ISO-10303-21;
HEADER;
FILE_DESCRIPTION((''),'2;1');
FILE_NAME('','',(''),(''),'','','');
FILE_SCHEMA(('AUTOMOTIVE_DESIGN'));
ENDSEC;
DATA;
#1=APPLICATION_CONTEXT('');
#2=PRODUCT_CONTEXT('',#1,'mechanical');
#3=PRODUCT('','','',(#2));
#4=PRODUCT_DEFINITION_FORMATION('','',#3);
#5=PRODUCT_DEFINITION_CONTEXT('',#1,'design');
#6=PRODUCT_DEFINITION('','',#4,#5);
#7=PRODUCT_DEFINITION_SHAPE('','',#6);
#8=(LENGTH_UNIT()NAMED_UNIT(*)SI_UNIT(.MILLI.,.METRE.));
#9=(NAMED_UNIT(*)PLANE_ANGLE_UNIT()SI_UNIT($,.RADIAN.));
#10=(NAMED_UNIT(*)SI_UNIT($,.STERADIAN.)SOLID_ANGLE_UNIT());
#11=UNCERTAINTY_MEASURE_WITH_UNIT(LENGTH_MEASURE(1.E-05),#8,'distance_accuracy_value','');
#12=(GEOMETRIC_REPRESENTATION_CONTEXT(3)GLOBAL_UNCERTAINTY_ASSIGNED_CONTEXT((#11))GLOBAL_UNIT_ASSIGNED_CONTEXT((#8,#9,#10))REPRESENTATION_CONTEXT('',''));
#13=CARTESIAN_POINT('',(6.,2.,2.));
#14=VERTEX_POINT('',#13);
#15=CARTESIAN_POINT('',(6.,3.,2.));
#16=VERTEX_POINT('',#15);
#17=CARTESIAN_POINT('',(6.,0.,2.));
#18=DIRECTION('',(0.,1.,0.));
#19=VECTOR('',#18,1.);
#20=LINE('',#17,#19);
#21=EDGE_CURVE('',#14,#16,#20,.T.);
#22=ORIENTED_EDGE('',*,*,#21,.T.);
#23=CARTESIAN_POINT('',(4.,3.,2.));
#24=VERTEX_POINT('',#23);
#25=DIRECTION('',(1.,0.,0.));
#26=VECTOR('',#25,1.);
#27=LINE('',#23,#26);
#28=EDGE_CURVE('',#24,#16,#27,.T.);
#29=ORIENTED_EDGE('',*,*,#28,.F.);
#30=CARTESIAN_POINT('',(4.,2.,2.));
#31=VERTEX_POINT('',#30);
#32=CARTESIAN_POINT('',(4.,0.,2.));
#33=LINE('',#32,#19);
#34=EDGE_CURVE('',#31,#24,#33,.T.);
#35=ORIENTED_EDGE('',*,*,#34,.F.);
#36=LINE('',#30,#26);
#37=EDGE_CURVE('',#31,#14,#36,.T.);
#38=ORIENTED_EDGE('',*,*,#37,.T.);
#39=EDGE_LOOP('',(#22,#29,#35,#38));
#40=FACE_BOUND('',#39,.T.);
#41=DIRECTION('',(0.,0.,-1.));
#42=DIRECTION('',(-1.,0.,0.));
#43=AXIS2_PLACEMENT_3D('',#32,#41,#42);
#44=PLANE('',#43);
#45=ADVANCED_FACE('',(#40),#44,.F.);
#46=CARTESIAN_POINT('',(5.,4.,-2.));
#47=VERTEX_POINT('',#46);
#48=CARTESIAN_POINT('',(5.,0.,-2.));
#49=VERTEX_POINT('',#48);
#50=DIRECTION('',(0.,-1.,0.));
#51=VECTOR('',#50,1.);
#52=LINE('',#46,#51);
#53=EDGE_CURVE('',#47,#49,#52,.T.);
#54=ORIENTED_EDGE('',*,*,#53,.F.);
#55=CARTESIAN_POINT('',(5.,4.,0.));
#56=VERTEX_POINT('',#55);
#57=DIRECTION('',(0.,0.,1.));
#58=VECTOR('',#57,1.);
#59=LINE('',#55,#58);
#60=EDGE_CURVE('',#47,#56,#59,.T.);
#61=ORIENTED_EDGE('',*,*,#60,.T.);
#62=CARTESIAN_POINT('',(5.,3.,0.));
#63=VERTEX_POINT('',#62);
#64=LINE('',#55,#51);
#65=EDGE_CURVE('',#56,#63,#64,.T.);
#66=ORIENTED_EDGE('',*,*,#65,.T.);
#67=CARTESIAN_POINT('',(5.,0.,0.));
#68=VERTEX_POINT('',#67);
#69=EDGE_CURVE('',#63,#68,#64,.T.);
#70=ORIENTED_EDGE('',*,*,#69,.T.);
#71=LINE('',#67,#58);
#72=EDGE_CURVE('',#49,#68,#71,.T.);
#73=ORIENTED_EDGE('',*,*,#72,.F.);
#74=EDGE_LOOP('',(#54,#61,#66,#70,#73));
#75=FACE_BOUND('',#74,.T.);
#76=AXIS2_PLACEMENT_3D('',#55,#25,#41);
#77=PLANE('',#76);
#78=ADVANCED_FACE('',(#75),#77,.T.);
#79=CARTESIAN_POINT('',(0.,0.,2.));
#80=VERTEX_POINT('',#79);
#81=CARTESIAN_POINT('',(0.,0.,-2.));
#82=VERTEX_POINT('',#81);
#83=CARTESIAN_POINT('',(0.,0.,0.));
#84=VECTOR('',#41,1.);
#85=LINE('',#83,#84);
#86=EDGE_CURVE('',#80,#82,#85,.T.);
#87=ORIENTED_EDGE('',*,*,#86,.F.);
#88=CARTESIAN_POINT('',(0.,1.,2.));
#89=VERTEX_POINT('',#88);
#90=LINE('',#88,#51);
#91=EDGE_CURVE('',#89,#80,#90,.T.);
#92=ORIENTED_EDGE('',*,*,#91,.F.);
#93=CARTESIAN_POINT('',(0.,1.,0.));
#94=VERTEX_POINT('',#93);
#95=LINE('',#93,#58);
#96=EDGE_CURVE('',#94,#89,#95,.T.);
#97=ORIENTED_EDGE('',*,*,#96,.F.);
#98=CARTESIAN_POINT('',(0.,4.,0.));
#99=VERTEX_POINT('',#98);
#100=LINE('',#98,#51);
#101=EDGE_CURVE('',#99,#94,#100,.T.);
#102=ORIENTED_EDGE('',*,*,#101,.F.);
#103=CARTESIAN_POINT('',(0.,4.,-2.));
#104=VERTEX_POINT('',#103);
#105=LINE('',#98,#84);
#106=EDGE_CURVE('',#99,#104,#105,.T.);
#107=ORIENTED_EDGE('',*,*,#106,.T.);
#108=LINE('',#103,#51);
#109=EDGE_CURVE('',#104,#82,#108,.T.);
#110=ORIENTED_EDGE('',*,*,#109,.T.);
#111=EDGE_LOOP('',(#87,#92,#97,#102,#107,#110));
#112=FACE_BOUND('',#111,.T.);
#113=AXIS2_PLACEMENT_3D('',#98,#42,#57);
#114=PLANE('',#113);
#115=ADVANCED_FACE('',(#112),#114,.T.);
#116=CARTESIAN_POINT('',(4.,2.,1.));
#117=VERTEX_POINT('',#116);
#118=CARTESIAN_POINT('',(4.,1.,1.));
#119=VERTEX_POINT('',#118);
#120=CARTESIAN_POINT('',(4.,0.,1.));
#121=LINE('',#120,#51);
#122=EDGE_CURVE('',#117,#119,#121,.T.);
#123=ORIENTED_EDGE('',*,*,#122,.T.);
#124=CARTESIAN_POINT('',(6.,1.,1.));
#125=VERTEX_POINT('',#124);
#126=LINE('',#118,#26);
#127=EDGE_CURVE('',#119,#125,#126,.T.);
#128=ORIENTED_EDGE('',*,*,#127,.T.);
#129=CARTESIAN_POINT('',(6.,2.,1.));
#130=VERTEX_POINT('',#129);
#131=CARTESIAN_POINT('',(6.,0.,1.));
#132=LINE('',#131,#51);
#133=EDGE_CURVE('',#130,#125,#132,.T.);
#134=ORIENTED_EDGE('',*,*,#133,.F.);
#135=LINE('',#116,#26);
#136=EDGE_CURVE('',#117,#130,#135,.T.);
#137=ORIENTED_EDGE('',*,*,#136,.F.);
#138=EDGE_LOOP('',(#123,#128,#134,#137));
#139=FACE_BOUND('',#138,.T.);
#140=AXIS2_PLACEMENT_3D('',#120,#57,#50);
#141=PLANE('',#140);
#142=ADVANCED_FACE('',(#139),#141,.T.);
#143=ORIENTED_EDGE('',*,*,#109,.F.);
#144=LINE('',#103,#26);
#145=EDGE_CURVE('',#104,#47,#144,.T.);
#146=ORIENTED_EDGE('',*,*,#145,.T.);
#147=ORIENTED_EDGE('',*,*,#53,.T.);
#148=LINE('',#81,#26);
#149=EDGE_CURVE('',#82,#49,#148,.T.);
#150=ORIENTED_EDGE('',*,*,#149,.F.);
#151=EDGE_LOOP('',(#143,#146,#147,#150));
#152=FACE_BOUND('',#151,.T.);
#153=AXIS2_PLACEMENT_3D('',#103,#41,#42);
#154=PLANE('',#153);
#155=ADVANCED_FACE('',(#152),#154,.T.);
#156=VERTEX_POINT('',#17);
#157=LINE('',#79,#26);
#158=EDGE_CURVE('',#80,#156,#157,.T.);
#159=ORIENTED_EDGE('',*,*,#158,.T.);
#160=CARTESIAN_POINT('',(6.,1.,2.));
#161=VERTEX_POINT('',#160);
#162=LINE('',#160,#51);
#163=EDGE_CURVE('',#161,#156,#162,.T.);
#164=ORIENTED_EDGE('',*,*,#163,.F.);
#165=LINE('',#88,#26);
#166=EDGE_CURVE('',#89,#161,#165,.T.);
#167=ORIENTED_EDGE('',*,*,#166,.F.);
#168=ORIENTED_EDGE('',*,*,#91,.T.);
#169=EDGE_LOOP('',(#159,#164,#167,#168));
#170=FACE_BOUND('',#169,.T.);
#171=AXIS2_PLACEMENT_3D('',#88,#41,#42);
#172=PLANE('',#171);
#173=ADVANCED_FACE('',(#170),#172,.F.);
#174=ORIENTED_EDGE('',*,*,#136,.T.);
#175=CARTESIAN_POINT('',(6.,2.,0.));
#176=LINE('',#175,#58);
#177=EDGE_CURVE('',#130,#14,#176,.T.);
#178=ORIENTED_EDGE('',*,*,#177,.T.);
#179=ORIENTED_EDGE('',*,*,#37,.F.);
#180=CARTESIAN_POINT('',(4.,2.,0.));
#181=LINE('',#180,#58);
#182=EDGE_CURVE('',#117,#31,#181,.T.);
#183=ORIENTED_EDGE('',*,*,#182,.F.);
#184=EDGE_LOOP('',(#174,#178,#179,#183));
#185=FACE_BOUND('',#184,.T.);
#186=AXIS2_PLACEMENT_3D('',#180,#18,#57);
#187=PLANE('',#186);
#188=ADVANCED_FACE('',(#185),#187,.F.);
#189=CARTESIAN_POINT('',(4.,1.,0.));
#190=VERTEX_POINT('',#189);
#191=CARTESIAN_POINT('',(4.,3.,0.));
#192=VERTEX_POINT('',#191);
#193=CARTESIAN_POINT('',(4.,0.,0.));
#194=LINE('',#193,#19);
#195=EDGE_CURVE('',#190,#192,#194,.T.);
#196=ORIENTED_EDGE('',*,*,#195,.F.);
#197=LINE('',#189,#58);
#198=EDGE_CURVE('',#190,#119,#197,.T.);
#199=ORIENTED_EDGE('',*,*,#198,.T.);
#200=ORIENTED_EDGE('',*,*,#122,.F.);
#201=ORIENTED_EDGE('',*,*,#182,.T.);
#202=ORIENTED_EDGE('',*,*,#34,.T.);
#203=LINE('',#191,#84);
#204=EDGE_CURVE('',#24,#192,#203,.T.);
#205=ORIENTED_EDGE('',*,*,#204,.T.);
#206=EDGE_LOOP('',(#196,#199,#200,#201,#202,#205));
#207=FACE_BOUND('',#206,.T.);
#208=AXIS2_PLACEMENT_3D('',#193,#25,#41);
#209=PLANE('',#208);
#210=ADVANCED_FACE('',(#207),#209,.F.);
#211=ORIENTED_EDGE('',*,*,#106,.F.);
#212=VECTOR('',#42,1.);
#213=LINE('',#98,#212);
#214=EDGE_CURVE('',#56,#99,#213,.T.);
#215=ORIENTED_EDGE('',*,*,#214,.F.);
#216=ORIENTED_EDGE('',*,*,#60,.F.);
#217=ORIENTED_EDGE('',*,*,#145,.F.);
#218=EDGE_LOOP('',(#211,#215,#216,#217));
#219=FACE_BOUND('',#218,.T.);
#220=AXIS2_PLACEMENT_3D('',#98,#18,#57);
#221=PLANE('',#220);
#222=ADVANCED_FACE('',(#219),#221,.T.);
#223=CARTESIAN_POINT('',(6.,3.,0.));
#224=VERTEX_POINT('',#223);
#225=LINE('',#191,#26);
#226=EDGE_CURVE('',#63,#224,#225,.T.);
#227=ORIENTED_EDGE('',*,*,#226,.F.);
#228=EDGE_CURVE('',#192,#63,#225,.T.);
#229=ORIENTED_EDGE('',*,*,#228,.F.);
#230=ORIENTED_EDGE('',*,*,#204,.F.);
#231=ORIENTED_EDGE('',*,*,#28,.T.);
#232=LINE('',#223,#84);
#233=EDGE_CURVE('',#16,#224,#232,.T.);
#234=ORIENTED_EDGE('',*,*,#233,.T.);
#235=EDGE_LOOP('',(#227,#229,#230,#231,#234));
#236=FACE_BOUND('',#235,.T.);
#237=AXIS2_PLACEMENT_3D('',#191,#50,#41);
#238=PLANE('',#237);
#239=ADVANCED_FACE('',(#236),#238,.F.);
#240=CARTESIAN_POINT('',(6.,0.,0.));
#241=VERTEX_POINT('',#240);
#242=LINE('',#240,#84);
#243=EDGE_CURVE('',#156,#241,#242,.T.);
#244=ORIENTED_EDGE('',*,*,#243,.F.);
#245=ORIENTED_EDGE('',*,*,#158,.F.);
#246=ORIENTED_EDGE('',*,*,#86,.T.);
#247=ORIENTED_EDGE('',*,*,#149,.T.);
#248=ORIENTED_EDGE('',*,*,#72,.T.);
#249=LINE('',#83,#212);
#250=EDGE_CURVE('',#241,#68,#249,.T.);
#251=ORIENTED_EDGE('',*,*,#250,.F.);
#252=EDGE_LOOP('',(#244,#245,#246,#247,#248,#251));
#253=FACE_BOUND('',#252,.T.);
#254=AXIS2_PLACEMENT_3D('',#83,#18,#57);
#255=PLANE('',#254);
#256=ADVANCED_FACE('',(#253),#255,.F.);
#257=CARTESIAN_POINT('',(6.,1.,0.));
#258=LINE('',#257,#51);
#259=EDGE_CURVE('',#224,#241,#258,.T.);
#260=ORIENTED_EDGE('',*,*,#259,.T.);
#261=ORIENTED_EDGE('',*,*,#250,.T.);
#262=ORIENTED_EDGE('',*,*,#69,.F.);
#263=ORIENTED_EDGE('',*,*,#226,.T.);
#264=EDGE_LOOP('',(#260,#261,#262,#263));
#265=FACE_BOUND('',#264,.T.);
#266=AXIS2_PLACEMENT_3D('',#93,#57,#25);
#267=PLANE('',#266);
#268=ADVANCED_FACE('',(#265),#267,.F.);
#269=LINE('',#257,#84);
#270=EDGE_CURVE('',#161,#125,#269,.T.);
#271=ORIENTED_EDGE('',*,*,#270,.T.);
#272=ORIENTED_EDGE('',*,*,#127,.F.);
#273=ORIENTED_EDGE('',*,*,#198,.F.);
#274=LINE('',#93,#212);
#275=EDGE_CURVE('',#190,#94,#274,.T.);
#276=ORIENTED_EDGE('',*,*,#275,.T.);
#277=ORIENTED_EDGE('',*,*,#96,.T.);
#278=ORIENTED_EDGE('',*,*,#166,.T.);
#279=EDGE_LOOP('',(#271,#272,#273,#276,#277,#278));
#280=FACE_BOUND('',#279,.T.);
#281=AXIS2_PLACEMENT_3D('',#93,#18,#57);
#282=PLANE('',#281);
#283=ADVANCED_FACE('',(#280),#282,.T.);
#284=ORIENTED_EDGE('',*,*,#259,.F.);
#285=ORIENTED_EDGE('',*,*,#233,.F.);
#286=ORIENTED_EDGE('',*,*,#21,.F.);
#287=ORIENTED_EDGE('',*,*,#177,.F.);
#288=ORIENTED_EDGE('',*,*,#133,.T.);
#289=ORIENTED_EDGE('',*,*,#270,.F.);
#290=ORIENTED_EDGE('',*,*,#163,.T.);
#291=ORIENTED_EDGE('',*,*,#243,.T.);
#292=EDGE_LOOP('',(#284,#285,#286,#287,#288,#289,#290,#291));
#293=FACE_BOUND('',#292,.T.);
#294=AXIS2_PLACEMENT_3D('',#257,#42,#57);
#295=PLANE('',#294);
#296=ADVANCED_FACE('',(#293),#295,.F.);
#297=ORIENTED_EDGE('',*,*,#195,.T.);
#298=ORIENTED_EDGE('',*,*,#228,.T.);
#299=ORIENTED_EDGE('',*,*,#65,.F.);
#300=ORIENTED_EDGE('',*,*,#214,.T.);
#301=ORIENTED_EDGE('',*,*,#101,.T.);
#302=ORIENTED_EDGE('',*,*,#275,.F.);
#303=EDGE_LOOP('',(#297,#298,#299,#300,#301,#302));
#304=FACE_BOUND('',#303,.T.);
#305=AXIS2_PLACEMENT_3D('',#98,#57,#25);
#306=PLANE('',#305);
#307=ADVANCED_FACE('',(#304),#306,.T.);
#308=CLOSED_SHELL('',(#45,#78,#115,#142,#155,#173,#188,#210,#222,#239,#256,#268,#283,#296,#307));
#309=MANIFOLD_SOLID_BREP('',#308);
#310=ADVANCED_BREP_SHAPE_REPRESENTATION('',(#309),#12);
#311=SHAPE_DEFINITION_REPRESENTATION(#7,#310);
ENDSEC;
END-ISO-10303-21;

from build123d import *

# Parameters (mm, degrees)
SKETCH_1_W      = 5
SKETCH_1_H      = 2
EXTRUDE_1_DEPTH = 4
EXTRUDE_2_DEPTH = 1
EXTRUDE_3_DEPTH = 2


with BuildPart() as part:
    # 草圖1 → 填料-伸長1 (new body)
    with BuildSketch(Plane(origin=(0, 0, 0), x_dir=(1, 0, 0), z_dir=(0, 1, 0))):
        with Locations((2.5, 1)):
            Rectangle(SKETCH_1_W, SKETCH_1_H)
    extrude(amount=EXTRUDE_1_DEPTH)

    # 草圖1<3> → 填料-伸長2 (add)
    with BuildSketch(Plane(origin=(0, 0, 0), x_dir=(1, 0, 0), z_dir=(0, 1, 0))):
        Polygon((5, 0), (0, 0), (0, -2), (6, -2), (6, 0), align=None)
    extrude(amount=EXTRUDE_2_DEPTH)

    # 草圖2 → 填料-伸長3 (add)
    with BuildSketch(Plane(origin=(6, 0, 0), x_dir=(0, 0, -1), z_dir=(1, 0, 0))):
        Polygon((-1, 1), (0, 1), (0, 3), (-2, 3), (-2, 2), (-1, 2), align=None)
    extrude(amount=-EXTRUDE_3_DEPTH)


solid = part.part
